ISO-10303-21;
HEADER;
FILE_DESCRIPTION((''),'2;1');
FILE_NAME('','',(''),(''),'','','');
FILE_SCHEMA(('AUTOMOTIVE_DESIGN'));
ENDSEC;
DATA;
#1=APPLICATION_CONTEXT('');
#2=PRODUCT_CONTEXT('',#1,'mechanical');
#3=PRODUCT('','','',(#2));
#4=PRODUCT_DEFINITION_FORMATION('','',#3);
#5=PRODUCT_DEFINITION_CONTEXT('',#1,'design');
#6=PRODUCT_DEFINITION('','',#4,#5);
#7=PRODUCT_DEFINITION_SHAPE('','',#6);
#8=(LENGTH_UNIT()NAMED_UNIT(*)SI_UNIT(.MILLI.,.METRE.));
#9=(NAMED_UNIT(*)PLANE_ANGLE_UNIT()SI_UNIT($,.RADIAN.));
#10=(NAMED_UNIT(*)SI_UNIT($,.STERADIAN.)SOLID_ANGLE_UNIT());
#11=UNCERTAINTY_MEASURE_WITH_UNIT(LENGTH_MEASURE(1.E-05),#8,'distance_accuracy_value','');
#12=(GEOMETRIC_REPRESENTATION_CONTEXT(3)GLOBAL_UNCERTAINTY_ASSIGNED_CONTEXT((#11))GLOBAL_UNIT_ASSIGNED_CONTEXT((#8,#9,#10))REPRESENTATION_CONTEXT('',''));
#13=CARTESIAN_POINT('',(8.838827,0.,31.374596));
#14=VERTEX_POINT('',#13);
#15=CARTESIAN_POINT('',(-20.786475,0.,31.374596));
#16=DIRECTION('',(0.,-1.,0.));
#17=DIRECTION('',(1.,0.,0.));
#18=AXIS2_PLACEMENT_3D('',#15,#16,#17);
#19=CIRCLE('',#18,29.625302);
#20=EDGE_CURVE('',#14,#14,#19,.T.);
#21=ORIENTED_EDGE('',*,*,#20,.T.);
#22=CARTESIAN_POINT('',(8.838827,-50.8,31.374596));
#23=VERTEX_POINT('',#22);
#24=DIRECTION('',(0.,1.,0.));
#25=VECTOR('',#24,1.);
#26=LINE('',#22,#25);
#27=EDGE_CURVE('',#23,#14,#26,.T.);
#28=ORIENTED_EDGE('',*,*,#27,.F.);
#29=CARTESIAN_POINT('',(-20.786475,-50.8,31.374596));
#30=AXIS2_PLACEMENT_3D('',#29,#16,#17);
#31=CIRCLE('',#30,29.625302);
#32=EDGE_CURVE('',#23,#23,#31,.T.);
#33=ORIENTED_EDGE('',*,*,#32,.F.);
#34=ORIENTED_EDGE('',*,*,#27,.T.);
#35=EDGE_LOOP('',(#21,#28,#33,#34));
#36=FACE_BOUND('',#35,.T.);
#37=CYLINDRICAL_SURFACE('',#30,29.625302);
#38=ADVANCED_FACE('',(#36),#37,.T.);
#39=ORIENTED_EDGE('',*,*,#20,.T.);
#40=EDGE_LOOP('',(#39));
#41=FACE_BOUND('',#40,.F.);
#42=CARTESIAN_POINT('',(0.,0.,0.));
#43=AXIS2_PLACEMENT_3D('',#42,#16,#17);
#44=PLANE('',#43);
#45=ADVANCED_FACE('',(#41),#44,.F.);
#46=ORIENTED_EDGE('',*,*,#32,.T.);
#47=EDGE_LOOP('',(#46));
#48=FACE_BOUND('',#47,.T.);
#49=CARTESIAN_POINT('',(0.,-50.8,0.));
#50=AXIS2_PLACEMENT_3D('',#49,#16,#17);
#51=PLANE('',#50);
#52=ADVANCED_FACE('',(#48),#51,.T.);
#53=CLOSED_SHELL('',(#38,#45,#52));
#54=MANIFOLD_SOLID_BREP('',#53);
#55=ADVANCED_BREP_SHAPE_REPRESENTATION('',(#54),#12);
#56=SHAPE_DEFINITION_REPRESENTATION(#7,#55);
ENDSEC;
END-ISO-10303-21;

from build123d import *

# Parameters (mm, degrees)
F0_R     = 82.55
F1_DEPTH = 50.8
F2_R     = 82.55
F2_R_2   = 29.625302
F3_DEPTH = 76.2


with BuildPart() as f1:
    # F0 (on Front) → F1 (new body)
    with BuildSketch(Plane.XZ):
        Circle(F0_R)
    extrude(amount=F1_DEPTH)

    # F2 (on face) → F3 (cut)
    with BuildSketch(Plane.XZ.offset(50.8)):
        Circle(F2_R)
        with Locations((-20.786475, 31.374596)):
            Circle(F2_R_2, mode=Mode.SUBTRACT)
    extrude(amount=-F3_DEPTH, mode=Mode.SUBTRACT)


solid = f1.part
